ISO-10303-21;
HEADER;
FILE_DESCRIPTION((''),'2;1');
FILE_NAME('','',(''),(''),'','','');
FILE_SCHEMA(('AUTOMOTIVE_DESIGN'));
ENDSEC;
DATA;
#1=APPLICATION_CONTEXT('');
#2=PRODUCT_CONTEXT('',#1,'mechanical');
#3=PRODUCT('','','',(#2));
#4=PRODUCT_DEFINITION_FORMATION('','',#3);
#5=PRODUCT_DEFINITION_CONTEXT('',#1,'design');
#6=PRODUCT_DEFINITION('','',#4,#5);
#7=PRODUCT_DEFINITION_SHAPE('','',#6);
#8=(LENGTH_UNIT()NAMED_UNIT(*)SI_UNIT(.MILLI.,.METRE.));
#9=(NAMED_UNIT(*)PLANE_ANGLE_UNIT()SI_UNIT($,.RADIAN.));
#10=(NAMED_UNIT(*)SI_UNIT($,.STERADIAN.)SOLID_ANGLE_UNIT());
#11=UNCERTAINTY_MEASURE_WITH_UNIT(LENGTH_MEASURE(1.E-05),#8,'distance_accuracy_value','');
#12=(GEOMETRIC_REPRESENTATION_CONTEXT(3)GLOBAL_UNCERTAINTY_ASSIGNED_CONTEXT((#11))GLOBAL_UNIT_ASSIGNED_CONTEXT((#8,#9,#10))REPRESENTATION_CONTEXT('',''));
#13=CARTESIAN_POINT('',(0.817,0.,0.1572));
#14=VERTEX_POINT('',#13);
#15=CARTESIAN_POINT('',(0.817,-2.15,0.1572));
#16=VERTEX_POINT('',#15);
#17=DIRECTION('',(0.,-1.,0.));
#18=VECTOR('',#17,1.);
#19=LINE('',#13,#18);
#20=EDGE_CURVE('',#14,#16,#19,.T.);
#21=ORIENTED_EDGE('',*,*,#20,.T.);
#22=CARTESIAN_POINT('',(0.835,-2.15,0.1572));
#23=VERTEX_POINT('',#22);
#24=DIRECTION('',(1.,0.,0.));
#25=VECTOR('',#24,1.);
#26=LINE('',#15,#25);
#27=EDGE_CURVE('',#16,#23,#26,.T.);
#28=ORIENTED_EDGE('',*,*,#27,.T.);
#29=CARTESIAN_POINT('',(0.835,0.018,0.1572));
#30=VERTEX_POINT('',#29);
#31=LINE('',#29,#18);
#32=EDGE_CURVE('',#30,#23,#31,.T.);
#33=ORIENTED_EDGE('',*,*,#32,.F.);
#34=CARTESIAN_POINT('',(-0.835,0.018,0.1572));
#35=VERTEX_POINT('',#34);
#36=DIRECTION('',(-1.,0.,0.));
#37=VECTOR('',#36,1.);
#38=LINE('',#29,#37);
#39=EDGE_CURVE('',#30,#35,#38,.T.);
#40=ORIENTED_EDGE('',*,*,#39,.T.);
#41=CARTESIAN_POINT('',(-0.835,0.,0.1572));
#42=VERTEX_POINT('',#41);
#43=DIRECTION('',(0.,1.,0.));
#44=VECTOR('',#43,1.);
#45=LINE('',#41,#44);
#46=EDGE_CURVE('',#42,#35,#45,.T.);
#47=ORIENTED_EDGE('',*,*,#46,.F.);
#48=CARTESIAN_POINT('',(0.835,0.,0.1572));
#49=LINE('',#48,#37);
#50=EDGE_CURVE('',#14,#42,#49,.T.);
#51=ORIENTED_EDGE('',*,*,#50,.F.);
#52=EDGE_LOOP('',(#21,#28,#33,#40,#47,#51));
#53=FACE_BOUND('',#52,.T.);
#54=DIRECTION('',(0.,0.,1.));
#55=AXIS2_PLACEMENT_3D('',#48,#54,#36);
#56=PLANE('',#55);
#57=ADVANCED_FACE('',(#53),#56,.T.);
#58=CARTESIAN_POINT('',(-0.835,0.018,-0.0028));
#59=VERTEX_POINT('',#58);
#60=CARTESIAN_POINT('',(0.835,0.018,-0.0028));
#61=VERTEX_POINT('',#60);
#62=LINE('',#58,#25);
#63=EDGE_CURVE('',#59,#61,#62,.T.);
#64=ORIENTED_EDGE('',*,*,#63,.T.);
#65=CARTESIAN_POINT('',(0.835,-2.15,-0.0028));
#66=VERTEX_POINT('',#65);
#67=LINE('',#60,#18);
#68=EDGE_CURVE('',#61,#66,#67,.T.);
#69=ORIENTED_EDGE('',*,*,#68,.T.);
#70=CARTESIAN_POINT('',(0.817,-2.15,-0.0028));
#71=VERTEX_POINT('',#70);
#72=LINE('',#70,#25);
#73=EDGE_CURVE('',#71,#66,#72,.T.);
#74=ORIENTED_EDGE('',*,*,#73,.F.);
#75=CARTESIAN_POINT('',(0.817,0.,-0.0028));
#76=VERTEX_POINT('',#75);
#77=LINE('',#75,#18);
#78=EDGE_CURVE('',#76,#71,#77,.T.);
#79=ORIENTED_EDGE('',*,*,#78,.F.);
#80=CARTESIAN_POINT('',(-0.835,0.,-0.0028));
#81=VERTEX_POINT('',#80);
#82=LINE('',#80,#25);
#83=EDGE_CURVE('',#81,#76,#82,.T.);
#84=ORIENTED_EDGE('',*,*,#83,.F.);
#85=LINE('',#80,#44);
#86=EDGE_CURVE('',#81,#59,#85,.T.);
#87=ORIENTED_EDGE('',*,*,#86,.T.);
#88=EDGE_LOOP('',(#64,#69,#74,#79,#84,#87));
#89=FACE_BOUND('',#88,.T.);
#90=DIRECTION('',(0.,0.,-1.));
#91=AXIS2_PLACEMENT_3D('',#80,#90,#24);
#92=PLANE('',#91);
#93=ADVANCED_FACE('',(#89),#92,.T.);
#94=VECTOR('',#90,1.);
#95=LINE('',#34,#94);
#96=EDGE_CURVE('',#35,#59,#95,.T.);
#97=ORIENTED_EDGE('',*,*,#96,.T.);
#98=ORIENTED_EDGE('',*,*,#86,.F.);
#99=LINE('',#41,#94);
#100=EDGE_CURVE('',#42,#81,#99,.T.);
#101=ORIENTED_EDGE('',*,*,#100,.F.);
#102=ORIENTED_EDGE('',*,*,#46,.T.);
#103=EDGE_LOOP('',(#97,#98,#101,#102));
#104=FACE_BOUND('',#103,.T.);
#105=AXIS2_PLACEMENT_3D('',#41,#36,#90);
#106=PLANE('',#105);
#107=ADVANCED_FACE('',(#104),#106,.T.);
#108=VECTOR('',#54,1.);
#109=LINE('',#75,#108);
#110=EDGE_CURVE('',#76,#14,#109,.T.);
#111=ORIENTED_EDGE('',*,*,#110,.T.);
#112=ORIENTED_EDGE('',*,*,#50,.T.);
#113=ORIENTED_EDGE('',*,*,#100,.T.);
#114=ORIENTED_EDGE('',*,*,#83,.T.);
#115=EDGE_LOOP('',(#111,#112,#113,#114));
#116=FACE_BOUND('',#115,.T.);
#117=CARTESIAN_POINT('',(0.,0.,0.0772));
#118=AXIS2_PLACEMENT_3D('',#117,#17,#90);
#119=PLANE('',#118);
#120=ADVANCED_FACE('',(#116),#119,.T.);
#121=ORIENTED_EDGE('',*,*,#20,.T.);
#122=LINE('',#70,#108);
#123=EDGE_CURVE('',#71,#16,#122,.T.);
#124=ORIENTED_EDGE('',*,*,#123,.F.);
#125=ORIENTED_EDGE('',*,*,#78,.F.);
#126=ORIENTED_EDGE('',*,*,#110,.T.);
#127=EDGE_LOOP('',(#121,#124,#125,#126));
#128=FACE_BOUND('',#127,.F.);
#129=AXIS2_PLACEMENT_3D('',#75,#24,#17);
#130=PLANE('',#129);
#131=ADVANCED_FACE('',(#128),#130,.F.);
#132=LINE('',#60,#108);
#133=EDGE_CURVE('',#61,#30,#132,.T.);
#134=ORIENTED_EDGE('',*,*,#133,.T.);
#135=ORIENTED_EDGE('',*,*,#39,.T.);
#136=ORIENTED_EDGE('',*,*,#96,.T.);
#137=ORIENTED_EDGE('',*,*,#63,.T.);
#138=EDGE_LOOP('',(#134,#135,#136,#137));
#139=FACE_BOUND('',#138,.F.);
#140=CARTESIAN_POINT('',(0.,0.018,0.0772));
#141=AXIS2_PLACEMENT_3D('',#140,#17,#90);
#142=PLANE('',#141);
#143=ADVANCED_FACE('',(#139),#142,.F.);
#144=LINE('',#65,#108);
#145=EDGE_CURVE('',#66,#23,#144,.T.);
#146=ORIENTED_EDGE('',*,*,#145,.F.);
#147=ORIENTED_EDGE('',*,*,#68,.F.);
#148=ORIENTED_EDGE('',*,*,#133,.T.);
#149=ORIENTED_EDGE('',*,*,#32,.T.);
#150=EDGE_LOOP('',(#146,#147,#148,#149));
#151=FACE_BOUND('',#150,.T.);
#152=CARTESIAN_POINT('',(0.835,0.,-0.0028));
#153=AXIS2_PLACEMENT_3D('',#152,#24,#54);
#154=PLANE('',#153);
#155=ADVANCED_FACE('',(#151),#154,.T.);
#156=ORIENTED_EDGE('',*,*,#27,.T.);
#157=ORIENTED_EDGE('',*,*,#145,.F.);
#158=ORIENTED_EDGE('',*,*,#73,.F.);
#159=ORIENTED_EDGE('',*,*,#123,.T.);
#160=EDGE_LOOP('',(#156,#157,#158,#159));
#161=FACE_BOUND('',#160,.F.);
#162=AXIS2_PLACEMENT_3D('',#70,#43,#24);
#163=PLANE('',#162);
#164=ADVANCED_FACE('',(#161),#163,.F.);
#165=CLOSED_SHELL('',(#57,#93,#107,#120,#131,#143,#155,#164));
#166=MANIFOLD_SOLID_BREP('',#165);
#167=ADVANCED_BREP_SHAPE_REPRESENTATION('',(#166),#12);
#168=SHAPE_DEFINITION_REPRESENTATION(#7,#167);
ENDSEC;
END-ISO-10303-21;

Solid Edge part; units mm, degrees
sketch "Sketch1" plane through (0, 0, 0) normal (0, -1, 0) x (1, 0, 0)
  line L0 (-0.835, -0.0028) -> (0.835, -0.0028)
  line L1 (0.835, -0.0028) -> (0.835, 0.1572)
  line L2 (0.835, 0.1572) -> (-0.835, 0.1572)
  line L3 (-0.835, 0.1572) -> (-0.835, -0.0028)
  dimension "D1" = 1.67
  dimension "D2" = 0.16
extrude "Protrusion1" add sketch "Sketch1" against normal blind 0.018
sketch "Sketch2" plane through (0, 0, 0) normal (0, 0, 1) x (1, 0, 0)
  line L0 (0.835, 0) -> (0.835, -2.15)
  line L1 (0.817, -2.15) -> (0.835, -2.15)
  line L2 (0.817, 0) -> (0.817, -2.15)
  line L3 (0.817, 0) -> (0.835, 0)
  dimension "D1" = 0.018
  dimension "D2" = 2.15
extrude "Protrusion2" add sketch "Sketch2" along normal up to surface (0.16 mm away) from surface at -0.0028
